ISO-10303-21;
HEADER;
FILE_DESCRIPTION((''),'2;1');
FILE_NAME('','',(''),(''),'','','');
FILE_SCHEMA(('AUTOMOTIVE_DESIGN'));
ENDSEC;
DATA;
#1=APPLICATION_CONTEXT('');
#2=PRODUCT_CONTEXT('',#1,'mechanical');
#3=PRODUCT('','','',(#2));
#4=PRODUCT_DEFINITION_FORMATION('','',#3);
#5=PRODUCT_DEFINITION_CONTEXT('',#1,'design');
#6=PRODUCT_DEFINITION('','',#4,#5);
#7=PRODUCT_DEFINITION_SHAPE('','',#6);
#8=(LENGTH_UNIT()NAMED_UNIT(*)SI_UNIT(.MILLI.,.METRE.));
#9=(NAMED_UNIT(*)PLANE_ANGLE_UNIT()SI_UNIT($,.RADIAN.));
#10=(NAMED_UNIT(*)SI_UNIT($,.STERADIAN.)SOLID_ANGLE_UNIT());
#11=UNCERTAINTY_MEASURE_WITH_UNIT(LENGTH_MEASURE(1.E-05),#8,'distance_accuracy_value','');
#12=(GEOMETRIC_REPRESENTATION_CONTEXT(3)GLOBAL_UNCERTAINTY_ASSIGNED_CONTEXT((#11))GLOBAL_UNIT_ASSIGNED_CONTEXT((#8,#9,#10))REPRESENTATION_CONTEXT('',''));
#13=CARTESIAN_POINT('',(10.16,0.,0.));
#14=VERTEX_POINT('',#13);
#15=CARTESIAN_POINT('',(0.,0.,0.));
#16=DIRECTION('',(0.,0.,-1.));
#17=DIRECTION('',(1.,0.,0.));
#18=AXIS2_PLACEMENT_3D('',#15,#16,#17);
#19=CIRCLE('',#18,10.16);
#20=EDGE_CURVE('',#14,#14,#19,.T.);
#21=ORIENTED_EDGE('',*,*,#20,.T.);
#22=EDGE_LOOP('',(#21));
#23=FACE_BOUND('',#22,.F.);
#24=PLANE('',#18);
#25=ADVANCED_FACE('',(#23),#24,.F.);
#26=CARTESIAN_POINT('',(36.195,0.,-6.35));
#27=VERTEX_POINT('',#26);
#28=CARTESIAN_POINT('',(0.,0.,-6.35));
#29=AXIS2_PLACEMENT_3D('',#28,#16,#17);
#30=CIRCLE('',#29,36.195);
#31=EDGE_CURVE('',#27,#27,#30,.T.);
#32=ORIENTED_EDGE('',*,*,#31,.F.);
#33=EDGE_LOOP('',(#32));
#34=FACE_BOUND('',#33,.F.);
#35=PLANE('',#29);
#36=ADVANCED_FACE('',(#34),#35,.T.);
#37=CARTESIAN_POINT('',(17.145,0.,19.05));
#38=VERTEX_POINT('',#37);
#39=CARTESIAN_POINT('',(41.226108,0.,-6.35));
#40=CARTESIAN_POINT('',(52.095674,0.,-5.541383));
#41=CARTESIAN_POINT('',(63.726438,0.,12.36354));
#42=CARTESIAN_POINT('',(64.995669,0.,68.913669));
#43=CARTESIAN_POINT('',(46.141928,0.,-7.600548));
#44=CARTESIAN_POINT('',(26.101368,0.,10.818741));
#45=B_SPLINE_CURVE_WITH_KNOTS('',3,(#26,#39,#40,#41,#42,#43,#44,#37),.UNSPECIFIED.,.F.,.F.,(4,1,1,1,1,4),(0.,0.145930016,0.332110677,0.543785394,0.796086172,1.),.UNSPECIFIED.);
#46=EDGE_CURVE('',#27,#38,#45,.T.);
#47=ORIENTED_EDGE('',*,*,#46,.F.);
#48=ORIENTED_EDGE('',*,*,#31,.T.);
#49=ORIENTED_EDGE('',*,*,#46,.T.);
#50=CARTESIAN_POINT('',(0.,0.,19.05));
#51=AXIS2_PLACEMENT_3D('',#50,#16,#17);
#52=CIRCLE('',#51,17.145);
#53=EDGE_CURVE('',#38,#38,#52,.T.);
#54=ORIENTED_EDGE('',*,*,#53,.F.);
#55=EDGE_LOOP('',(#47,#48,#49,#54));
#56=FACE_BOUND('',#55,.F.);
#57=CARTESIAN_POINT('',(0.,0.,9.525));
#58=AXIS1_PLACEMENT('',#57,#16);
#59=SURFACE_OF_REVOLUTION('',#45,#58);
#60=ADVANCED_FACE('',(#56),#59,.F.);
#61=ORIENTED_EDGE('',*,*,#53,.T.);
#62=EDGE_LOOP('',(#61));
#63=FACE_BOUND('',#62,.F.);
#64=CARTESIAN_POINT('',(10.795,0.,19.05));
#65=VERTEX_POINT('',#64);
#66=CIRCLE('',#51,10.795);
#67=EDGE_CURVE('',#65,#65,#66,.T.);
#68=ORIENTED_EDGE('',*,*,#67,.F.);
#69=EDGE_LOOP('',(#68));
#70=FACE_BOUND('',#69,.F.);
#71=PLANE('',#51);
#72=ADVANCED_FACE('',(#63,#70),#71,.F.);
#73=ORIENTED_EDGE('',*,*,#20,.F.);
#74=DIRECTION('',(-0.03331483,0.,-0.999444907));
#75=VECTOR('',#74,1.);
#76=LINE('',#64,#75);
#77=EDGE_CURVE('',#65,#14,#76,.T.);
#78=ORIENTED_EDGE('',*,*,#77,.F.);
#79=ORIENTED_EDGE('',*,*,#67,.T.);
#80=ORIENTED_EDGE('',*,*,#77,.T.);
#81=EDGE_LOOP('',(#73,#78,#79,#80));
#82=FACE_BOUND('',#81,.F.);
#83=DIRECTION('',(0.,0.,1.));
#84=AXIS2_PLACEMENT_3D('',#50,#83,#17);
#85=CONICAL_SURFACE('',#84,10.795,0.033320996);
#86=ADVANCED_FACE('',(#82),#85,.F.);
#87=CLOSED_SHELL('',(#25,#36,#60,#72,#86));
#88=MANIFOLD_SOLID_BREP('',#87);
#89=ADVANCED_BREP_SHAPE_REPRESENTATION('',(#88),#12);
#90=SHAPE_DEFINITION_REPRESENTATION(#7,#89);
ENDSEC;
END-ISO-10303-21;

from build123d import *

# Parameters (mm, degrees)
F2_W     = 187.2701197863
F2_H     = 151.3685882092
F2_R     = 36.195
F3_DEPTH = 25.4


with BuildPart() as f1:
    # F0 (on Front) → F1 (revolve)
    with BuildSketch(Plane.XZ):
        Polygon((10.16, 0), (0, 0), (0, -6.35), (17.145, -6.35), (17.145, 0), (17.145, 19.05), (10.795, 19.05), align=None)
        with BuildLine():
            Line((17.145, 0), (17.145, -6.35))
            Line((17.145, -6.35), (36.195, -6.35))
            add(Edge.make_bspline(
                [(36.195, -6.35), (41.2261076272, -6.35), (52.0956741243, -5.5413833378), (63.7264383794, 12.3635397544), (64.995669366, 68.9136692473), (46.1419283817, -7.6005482144), (26.1013676266, 10.8187406471), (17.145, 19.05)],
                knots=[0, 0, 0, 0, 0.1459300162, 0.3321106767, 0.543785394, 0.796086172, 1, 1, 1, 1], degree=3))
            Line((17.145, 19.05), (17.145, 0))
        make_face()
    revolve(axis=Axis((0, 0, 9.525), (0, 0, -1)))

    # F2 (on face) → F3 (cut)
    with BuildSketch(Plane(origin=(0, 0, -6.35), x_dir=(1, 0, 0), z_dir=(0, 0, -1))):
        with Locations((0.5310550332, -2.0148456097)):
            Rectangle(F2_W, F2_H)
        Circle(F2_R, mode=Mode.SUBTRACT)
    extrude(amount=F3_DEPTH, mode=Mode.SUBTRACT)


solid = f1.part
